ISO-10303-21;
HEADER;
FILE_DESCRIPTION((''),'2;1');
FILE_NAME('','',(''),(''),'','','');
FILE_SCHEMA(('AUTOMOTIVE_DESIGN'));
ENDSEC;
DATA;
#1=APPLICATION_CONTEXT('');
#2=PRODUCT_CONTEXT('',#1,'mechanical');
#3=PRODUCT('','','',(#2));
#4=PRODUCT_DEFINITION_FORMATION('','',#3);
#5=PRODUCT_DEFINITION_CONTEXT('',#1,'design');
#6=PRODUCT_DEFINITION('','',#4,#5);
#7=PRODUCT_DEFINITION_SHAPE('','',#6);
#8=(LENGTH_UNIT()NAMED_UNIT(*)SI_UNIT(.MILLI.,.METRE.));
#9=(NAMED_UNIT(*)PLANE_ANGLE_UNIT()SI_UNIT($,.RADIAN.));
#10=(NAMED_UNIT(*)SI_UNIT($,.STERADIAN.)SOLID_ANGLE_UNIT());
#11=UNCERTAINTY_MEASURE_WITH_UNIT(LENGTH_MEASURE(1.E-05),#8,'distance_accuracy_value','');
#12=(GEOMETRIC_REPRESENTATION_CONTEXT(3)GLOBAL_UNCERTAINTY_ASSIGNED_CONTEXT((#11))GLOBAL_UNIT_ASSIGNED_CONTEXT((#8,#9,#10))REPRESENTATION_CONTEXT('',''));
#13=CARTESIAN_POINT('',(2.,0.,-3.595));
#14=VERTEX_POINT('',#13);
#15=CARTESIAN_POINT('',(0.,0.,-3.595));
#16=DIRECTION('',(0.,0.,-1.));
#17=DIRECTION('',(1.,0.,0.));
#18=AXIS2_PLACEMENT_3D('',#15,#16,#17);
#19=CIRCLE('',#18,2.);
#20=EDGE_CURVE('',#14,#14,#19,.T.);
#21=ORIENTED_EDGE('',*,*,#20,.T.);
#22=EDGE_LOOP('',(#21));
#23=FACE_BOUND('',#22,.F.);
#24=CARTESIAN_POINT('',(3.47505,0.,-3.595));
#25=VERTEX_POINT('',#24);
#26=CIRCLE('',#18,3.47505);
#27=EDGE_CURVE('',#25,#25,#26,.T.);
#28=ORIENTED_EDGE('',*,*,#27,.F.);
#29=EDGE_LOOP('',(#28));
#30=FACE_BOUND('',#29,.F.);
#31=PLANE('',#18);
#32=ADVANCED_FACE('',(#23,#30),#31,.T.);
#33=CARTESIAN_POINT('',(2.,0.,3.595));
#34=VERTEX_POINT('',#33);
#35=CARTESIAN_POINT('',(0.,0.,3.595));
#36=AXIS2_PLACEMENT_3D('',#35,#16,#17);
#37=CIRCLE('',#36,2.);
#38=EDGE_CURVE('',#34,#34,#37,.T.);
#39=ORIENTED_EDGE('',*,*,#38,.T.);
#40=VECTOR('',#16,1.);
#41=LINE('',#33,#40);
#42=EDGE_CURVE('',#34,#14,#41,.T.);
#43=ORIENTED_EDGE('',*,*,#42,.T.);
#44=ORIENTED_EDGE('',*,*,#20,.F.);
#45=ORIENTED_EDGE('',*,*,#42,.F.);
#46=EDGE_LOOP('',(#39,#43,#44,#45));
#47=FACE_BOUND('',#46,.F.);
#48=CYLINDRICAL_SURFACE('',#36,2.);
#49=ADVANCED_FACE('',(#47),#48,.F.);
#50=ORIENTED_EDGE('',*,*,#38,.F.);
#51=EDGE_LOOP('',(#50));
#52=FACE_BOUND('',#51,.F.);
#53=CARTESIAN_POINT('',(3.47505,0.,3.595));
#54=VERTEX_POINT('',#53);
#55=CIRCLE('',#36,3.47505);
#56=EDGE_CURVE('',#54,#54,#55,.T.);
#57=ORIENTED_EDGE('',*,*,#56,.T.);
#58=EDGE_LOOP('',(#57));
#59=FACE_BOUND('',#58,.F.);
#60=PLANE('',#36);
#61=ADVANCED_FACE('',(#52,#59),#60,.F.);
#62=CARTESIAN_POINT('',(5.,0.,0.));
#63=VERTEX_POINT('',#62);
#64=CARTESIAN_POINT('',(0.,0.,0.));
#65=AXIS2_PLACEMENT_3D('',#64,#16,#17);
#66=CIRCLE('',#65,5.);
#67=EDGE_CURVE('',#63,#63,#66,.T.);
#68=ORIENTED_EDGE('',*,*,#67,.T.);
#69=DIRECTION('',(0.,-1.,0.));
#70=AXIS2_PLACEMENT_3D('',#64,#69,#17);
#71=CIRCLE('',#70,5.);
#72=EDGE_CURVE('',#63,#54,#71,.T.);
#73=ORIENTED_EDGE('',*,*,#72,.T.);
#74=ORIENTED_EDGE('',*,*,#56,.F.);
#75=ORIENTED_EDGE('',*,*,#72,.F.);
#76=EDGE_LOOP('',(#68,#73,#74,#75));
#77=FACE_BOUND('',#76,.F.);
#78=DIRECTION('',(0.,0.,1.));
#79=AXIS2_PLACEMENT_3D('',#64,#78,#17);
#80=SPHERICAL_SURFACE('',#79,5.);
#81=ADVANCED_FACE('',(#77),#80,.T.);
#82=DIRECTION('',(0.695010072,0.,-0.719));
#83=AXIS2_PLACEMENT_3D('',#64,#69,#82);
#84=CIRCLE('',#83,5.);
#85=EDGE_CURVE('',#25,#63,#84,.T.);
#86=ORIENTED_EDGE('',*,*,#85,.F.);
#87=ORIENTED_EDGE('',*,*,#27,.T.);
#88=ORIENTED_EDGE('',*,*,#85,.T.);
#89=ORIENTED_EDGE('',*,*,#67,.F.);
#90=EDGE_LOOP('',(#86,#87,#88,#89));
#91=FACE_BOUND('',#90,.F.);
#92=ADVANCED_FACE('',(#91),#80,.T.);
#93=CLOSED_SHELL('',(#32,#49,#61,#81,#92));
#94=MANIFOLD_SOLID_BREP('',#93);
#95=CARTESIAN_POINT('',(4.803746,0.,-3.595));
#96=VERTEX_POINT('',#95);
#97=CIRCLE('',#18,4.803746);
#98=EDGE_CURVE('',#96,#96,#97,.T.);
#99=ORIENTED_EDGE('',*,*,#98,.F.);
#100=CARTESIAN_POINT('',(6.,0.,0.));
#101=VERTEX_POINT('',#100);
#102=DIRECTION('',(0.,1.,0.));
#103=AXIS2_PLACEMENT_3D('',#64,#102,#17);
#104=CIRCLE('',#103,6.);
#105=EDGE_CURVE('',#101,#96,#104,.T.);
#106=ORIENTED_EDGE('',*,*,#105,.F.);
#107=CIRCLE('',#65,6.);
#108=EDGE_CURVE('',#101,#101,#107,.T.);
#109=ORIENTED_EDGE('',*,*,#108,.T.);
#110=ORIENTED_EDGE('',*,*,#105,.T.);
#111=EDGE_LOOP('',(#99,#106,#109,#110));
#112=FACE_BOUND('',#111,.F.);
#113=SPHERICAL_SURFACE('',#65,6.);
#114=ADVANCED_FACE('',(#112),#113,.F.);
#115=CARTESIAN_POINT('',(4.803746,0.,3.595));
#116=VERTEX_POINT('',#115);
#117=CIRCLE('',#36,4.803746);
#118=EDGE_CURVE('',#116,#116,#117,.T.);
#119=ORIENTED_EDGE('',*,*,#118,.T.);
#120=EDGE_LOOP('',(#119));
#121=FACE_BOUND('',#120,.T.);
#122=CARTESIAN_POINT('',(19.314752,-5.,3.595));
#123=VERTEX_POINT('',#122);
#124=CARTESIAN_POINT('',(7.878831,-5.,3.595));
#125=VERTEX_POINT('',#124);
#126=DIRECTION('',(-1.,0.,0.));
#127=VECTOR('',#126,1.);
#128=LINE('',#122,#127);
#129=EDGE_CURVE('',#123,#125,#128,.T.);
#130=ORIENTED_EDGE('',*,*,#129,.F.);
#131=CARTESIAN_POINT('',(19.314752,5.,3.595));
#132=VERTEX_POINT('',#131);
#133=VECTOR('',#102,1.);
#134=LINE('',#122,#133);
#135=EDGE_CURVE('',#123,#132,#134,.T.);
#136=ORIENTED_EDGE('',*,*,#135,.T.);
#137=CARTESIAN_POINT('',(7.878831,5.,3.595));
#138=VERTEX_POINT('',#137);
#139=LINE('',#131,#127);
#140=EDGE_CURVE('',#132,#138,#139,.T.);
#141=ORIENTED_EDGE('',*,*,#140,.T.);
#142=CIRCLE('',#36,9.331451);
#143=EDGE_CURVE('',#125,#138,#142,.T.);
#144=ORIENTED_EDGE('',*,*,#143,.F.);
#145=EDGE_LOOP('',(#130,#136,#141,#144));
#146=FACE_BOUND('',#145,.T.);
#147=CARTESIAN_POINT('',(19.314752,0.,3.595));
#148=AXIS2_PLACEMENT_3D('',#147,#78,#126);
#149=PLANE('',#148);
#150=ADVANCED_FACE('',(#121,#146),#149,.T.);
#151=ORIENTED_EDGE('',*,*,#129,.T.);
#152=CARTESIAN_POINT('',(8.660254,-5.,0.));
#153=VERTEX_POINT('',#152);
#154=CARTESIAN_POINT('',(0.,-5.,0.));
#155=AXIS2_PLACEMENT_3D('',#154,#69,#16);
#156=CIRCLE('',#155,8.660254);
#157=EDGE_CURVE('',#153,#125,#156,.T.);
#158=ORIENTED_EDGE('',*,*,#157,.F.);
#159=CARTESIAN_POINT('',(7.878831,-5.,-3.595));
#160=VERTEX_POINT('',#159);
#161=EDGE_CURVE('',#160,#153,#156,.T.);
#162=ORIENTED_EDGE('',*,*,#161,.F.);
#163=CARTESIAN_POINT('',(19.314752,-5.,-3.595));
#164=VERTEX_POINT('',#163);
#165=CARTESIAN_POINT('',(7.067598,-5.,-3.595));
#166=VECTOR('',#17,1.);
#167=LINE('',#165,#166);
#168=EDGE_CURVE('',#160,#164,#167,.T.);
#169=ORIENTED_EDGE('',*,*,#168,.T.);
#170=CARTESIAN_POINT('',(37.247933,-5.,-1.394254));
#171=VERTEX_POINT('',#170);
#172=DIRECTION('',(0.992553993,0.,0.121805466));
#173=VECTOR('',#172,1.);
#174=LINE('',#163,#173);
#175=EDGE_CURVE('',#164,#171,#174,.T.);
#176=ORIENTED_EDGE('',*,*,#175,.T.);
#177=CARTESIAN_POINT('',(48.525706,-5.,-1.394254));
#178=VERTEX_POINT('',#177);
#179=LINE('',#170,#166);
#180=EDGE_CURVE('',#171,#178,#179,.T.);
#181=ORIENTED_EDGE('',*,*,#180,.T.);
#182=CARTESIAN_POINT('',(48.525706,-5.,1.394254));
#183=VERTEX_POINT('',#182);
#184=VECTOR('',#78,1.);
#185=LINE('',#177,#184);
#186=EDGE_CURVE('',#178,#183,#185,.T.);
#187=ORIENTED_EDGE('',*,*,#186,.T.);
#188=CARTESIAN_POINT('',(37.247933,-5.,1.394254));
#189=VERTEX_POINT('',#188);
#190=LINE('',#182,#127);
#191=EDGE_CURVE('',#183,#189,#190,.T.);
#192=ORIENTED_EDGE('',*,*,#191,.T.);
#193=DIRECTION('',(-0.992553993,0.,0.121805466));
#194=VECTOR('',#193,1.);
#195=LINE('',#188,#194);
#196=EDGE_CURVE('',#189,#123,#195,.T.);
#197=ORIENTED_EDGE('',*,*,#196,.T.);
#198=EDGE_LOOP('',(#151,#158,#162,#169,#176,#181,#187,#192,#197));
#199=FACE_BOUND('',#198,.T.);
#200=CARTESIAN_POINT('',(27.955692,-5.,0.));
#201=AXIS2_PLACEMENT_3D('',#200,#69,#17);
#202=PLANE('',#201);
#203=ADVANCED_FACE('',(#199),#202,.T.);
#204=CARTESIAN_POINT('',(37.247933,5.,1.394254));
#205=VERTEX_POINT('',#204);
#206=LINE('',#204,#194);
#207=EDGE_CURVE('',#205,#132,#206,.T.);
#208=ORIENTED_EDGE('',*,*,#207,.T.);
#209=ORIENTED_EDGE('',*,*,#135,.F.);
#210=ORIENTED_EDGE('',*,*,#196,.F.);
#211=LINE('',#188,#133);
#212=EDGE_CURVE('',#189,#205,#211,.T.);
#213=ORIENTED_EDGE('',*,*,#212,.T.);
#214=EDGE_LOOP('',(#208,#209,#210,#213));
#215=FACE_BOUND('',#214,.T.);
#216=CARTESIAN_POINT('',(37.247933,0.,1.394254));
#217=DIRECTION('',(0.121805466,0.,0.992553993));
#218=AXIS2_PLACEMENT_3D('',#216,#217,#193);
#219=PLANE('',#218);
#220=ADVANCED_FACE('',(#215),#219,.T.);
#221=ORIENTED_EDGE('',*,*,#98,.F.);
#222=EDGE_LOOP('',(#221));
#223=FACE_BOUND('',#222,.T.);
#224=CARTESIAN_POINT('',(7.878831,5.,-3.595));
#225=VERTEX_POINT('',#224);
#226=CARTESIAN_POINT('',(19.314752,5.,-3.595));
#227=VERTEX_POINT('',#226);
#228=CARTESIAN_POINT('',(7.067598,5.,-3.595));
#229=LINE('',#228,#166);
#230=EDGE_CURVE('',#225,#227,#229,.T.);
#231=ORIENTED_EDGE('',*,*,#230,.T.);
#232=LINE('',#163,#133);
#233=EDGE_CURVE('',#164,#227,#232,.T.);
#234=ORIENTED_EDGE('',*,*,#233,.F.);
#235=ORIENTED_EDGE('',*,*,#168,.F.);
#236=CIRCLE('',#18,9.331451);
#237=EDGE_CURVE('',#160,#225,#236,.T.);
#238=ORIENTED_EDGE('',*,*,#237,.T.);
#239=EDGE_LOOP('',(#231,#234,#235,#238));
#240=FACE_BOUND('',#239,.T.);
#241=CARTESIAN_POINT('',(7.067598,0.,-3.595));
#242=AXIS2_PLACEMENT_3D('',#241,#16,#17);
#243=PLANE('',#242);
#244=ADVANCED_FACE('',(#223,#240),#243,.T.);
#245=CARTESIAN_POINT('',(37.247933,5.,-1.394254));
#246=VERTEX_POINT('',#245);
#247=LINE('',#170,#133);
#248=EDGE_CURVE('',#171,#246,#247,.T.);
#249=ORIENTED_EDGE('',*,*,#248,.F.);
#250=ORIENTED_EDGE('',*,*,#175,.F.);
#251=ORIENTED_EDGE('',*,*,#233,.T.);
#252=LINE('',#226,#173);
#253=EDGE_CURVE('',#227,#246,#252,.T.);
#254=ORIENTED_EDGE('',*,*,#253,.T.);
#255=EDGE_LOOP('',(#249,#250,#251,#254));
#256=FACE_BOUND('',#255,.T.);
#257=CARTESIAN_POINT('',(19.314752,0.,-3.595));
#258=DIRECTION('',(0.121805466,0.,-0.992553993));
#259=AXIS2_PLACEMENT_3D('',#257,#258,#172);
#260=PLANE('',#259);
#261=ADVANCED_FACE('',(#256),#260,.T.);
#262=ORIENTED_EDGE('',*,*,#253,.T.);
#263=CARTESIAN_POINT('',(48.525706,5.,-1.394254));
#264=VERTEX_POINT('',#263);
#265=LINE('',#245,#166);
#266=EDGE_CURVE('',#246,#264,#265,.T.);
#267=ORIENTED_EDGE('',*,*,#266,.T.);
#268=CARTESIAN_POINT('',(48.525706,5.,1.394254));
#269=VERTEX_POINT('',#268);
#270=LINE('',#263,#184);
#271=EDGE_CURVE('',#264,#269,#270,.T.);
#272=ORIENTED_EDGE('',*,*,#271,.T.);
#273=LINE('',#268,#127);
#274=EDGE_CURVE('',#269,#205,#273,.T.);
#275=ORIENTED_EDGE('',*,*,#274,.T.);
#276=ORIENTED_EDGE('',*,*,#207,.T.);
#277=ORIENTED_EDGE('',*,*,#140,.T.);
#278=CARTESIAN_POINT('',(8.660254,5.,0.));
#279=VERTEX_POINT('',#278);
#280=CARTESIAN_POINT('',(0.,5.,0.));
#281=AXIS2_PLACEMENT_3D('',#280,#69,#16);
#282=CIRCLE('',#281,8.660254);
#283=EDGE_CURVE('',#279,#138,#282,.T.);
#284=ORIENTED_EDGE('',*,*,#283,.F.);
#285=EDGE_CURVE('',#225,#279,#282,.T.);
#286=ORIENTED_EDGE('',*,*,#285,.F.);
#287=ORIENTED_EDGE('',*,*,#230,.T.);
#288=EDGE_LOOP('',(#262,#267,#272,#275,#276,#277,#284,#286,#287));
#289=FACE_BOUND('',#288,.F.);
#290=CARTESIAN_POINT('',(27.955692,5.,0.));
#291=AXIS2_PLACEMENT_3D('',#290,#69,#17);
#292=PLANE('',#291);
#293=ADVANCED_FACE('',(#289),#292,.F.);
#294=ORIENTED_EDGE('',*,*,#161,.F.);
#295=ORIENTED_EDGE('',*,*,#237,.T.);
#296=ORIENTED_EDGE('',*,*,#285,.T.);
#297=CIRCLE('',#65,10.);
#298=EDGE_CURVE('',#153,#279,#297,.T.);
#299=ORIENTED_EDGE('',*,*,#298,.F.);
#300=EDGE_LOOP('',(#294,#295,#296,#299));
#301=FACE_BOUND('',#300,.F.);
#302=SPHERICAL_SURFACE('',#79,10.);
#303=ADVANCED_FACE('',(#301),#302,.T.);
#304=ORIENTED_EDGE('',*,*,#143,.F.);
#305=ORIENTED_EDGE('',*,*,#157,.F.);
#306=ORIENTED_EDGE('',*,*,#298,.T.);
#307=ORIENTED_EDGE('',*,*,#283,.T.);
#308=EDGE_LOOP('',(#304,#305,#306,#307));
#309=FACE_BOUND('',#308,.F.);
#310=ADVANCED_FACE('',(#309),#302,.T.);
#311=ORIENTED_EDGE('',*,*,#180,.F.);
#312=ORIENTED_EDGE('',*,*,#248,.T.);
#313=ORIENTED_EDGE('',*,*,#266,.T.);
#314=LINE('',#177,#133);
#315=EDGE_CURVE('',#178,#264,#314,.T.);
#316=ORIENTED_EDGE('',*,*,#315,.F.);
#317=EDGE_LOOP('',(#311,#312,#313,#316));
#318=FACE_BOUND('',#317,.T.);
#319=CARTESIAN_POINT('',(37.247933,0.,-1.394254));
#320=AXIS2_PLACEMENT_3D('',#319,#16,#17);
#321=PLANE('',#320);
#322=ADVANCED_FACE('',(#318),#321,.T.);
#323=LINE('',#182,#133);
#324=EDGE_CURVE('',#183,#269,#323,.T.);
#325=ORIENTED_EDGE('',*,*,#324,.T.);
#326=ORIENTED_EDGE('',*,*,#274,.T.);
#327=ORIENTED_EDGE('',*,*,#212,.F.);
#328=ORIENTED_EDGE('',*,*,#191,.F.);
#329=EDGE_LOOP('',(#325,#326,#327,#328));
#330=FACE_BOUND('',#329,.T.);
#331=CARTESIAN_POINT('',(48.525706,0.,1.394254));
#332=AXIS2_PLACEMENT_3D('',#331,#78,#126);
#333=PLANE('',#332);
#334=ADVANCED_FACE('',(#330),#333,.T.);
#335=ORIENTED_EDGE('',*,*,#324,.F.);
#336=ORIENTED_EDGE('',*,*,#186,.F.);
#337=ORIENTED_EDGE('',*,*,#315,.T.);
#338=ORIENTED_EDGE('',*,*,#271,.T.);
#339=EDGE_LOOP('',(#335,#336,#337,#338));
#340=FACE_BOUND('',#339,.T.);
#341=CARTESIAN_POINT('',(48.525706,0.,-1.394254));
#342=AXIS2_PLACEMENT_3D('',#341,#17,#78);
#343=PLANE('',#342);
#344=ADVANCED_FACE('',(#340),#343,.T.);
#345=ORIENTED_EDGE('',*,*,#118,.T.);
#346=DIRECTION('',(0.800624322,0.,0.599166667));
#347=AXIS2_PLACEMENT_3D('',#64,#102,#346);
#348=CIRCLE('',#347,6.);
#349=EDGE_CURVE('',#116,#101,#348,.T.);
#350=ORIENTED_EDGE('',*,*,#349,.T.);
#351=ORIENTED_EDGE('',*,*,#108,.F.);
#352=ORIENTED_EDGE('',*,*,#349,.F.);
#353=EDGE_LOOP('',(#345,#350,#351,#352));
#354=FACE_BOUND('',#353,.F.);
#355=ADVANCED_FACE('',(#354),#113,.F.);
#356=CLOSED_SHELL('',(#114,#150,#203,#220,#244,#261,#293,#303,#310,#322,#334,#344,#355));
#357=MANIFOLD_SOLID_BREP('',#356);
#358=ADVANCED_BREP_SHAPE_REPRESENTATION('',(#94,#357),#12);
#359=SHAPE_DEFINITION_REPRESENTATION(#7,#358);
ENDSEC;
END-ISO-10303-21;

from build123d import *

# Parameters (mm, degrees)
F2_DEPTH      = 5
F2_DEPTH_BACK = 5


with BuildPart() as f1:
    # F0 (on Front) → F1 (revolve)
    with BuildSketch(Plane.XZ):
        with BuildLine():
            ThreePointArc((3.4750503593, -3.595), (4.6030018356, -1.9525301794), (5, 0))
            Line((5, 0), (2, 0))
            Line((2, 0), (2, -3.595))
            Line((2, -3.595), (3.4750503593, -3.595))
        make_face()
        with BuildLine():
            Line((2, 0), (5, 0))
            ThreePointArc((5, 0), (4.6030018356, 1.9525301794), (3.4750503593, 3.595))
            Line((3.4750503593, 3.595), (2, 3.595))
            Line((2, 3.595), (2, 0))
        make_face()
    revolve(axis=Axis((0, 0, -0.8289581165), (0, 0, -1)))


with BuildPart() as f1b:
    # F0 (on Front) → F1, piece 2 (revolve)
    with BuildSketch(Plane.XZ):
        with BuildLine():
            Line((7.067598393, -3.595), (7.067598393, 0))
            Line((7.067598393, 0), (6, 0))
            ThreePointArc((6, 0), (5.693086843, -1.8944028604), (4.8037459342, -3.595))
            Line((4.8037459342, -3.595), (7.067598393, -3.595))
        make_face()
        with BuildLine():
            Line((7.067598393, 0), (7.067598393, 3.595))
            Line((7.067598393, 3.595), (4.8037459342, 3.595))
            ThreePointArc((4.8037459342, 3.595), (5.693086843, 1.8944028604), (6, 0))
            Line((6, 0), (7.067598393, 0))
        make_face()
        with BuildLine():
            ThreePointArc((10, 0), (9.8314421251, 1.8283177352), (9.3314508518, 3.595))
            Line((9.3314508518, 3.595), (7.067598393, 3.595))
            Line((7.067598393, 3.595), (7.067598393, 0))
            Line((7.067598393, 0), (10, 0))
        make_face()
        with BuildLine():
            ThreePointArc((9.3314508518, -3.595), (9.8314421251, -1.8283177352), (10, 0))
            Line((10, 0), (7.067598393, 0))
            Line((7.067598393, 0), (7.067598393, -3.595))
            Line((7.067598393, -3.595), (9.3314508518, -3.595))
        make_face()
    revolve(axis=Axis((0, 0, -0.8289581165), (0, 0, -1)))

    # F0 (on Front) → F2 (join, two sides)
    with BuildSketch(Plane.XZ) as f2_sk:
        with BuildLine():
            Line((19.3147519061, 3.595), (9.3314508518, 3.595))
            ThreePointArc((9.3314508518, 3.595), (9.8314421251, 1.8283177352), (10, 0))
            ThreePointArc((10, 0), (9.8314421251, -1.8283177352), (9.3314508518, -3.595))
            Line((9.3314508518, -3.595), (19.3147519061, -3.595))
            Line((19.3147519061, -3.595), (37.2479334474, -1.3942536898))
            Line((37.2479334474, -1.3942536898), (48.5257059336, -1.3942536898))
            Line((48.5257059336, -1.3942536898), (48.5257059336, 1.3942536898))
            Line((48.5257059336, 1.3942536898), (37.2479334474, 1.3942536898))
            Line((37.2479334474, 1.3942536898), (19.3147519061, 3.595))
        make_face()
        with BuildLine():
            ThreePointArc((10, 0), (9.8314421251, 1.8283177352), (9.3314508518, 3.595))
            Line((9.3314508518, 3.595), (7.067598393, 3.595))
            Line((7.067598393, 3.595), (7.067598393, 0))
            Line((7.067598393, 0), (10, 0))
        make_face()
        with BuildLine():
            ThreePointArc((9.3314508518, -3.595), (9.8314421251, -1.8283177352), (10, 0))
            Line((10, 0), (7.067598393, 0))
            Line((7.067598393, 0), (7.067598393, -3.595))
            Line((7.067598393, -3.595), (9.3314508518, -3.595))
        make_face()
    extrude(amount=F2_DEPTH)
    extrude(f2_sk.sketch, amount=-F2_DEPTH_BACK)


solid = Compound([f1.part, f1b.part])
